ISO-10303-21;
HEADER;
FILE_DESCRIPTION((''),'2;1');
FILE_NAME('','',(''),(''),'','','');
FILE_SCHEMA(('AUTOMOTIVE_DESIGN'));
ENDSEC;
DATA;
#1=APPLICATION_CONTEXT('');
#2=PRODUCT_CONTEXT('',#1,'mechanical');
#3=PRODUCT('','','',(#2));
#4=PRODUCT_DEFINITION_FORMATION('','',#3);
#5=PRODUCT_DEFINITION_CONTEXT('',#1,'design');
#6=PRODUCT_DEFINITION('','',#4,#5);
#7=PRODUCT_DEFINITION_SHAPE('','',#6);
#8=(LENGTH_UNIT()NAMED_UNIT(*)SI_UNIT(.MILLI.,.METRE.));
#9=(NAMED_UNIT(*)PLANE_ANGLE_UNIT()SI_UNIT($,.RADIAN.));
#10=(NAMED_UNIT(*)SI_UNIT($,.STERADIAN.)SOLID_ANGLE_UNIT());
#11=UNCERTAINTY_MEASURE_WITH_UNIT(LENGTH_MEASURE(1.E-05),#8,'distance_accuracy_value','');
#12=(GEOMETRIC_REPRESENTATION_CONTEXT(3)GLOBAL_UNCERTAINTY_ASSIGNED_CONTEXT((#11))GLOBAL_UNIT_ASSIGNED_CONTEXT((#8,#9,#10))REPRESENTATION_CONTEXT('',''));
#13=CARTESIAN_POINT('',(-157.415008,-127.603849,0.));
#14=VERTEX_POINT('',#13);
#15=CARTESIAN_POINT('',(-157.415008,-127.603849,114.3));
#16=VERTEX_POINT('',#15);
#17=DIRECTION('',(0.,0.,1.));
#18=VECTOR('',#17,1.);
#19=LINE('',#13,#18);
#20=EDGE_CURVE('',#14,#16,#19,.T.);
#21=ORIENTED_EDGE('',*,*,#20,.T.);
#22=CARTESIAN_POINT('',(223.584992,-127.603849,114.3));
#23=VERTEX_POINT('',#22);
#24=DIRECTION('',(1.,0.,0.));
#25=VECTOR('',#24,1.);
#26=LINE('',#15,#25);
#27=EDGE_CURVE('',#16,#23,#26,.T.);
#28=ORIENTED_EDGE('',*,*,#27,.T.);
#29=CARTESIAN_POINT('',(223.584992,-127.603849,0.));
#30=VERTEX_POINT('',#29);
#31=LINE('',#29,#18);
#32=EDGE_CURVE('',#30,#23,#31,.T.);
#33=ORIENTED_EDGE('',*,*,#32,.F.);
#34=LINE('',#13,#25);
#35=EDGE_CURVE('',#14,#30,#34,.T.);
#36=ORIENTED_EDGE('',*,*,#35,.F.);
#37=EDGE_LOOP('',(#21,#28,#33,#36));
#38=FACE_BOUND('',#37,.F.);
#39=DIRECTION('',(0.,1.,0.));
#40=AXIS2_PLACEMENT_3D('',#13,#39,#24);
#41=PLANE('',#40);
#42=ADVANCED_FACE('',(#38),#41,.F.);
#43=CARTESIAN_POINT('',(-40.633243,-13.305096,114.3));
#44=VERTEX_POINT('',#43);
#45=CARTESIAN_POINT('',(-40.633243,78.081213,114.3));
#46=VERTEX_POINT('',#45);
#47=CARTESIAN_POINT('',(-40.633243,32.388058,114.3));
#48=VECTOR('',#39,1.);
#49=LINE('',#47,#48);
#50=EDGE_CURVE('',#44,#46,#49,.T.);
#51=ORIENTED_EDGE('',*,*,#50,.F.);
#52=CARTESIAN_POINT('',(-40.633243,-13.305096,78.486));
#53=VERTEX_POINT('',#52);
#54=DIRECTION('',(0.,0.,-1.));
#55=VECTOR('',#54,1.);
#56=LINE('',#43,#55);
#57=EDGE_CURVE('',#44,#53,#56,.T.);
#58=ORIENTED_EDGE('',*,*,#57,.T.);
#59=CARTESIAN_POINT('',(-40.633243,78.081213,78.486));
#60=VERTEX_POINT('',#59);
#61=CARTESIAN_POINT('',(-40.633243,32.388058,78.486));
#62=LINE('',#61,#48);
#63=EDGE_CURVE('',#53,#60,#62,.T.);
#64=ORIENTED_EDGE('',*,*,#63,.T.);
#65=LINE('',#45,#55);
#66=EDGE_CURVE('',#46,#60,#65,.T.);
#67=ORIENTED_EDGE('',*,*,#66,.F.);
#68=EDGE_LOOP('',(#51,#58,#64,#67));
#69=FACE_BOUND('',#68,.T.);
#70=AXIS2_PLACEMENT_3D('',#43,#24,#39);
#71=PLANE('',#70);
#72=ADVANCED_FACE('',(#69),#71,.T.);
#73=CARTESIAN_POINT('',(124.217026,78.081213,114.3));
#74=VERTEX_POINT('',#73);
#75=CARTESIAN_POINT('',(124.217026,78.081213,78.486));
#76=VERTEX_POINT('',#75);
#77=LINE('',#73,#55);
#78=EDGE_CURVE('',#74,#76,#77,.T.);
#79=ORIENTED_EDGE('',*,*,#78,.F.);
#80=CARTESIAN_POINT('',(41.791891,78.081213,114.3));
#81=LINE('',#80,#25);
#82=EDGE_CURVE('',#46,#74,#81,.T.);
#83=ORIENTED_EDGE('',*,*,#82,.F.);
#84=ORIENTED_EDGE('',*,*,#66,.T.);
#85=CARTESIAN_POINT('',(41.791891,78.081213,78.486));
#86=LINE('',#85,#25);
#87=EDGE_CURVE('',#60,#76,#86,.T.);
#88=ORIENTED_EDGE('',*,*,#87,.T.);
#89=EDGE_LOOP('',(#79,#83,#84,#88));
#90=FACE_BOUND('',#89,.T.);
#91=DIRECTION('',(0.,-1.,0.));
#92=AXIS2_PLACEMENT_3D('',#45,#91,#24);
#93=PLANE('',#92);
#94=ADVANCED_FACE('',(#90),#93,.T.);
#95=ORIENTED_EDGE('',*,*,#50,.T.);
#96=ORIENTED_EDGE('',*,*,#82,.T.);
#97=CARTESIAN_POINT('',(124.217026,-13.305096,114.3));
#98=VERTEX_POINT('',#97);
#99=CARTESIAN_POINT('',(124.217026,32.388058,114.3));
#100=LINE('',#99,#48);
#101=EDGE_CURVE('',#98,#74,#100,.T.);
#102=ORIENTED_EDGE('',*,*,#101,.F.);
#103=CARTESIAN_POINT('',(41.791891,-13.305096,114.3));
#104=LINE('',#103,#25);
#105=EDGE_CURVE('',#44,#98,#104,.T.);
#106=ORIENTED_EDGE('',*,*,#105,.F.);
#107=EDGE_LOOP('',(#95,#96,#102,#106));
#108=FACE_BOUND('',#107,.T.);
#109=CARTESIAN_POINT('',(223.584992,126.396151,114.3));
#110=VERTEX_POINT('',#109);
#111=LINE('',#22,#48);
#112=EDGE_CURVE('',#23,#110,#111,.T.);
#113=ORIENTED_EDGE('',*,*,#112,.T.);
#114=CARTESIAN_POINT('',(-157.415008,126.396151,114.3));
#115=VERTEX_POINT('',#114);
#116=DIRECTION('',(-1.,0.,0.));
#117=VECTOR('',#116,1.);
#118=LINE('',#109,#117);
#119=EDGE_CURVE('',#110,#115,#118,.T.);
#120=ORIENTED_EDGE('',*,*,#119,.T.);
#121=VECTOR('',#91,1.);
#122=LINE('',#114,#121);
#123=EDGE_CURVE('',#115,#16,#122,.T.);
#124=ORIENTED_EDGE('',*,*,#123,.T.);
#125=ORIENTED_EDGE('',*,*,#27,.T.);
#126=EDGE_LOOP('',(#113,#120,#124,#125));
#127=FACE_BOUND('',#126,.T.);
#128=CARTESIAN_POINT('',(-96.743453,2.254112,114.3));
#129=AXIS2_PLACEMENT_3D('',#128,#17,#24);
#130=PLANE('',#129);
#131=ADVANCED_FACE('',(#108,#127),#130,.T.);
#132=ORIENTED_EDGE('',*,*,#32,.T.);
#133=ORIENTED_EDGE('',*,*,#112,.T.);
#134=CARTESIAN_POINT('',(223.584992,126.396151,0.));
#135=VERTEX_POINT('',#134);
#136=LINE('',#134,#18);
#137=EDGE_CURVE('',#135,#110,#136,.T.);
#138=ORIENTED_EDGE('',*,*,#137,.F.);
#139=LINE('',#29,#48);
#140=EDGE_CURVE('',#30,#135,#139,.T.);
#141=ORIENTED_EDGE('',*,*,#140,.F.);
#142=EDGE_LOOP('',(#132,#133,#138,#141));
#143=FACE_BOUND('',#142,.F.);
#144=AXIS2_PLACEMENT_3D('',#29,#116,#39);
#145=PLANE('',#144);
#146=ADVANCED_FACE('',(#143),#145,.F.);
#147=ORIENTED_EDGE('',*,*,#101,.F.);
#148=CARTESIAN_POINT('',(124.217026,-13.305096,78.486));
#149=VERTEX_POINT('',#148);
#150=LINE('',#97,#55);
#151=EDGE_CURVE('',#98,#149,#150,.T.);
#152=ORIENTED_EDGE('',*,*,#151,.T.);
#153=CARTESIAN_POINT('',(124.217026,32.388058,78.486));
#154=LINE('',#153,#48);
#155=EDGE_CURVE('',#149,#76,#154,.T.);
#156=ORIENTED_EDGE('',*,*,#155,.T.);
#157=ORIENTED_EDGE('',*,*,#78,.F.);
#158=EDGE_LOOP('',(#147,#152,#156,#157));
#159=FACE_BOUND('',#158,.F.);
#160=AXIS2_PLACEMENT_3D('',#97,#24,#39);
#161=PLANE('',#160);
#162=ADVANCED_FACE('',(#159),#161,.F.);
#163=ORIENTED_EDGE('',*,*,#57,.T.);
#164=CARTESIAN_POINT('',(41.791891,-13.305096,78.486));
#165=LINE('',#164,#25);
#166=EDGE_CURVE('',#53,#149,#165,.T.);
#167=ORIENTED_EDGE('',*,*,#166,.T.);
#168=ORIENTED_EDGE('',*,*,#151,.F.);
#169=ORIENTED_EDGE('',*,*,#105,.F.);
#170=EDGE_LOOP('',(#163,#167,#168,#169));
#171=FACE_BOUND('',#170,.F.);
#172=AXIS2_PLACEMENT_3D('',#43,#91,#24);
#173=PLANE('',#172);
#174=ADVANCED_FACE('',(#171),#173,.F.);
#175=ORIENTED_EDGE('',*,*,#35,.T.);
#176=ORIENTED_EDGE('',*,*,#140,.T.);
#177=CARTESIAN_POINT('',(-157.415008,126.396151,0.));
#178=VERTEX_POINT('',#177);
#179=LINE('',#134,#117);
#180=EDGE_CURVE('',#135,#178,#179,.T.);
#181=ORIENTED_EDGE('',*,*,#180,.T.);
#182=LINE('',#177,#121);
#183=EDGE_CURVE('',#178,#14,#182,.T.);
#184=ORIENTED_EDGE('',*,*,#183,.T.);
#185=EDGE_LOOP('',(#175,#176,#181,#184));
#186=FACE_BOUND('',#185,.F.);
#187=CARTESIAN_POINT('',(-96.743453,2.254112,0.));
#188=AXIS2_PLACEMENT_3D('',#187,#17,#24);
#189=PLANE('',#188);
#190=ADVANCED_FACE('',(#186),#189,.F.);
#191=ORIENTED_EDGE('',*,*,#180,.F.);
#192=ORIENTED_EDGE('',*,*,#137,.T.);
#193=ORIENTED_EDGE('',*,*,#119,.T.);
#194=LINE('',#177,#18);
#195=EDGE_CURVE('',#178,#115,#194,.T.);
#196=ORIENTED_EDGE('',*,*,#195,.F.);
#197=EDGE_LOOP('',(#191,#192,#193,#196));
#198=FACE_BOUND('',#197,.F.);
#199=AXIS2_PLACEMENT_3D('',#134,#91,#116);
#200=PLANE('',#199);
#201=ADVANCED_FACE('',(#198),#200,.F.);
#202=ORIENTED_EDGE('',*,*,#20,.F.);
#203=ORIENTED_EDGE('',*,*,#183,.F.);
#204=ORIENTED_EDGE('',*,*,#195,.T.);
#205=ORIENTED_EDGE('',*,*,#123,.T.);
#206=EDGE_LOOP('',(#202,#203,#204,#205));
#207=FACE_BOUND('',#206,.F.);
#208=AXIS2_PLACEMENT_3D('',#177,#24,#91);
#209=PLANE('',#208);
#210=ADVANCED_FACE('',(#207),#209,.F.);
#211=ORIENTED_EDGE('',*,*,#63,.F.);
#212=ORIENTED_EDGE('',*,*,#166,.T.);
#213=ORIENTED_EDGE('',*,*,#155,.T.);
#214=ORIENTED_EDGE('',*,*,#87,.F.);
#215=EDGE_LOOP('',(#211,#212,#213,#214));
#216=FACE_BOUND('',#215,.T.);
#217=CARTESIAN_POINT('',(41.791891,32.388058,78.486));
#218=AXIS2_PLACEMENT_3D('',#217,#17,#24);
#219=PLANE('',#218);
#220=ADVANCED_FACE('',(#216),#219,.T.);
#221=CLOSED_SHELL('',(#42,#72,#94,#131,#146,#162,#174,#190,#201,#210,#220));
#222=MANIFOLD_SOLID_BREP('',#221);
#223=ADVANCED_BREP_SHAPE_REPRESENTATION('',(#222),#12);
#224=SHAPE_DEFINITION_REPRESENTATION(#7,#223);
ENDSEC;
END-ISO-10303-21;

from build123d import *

# Parameters (mm, degrees)
F1_DEPTH = 114.3
F2_W     = 164.850269
F2_H     = 91.386309
F3_DEPTH = 35.814


with BuildPart() as f1:
    # F0 (on Top) → F1 (new body)
    with BuildSketch(Plane.XY):
        Polygon((30.642684, 1.024356), (-157.415008, 126.396151), (-157.415008, -121.173469), align=None)
        Polygon((223.584992, 126.396151), (-157.415008, 126.396151), (30.642684, 1.024356), align=None)
        Polygon((223.584992, -127.603849), (223.584992, 126.396151), (30.642684, 1.024356), align=None)
        Polygon((30.642684, 1.024356), (-157.415008, -121.173469), (-157.415008, -127.603849), (223.584992, -127.603849), align=None)
    extrude(amount=F1_DEPTH)

    # F2 (on face) → F3 (cut)
    with BuildSketch(Plane.XY.offset(114.3)):
        with Locations((41.791891, 32.388058)):
            Rectangle(F2_W, F2_H)
    extrude(amount=-F3_DEPTH, mode=Mode.SUBTRACT)


solid = f1.part
